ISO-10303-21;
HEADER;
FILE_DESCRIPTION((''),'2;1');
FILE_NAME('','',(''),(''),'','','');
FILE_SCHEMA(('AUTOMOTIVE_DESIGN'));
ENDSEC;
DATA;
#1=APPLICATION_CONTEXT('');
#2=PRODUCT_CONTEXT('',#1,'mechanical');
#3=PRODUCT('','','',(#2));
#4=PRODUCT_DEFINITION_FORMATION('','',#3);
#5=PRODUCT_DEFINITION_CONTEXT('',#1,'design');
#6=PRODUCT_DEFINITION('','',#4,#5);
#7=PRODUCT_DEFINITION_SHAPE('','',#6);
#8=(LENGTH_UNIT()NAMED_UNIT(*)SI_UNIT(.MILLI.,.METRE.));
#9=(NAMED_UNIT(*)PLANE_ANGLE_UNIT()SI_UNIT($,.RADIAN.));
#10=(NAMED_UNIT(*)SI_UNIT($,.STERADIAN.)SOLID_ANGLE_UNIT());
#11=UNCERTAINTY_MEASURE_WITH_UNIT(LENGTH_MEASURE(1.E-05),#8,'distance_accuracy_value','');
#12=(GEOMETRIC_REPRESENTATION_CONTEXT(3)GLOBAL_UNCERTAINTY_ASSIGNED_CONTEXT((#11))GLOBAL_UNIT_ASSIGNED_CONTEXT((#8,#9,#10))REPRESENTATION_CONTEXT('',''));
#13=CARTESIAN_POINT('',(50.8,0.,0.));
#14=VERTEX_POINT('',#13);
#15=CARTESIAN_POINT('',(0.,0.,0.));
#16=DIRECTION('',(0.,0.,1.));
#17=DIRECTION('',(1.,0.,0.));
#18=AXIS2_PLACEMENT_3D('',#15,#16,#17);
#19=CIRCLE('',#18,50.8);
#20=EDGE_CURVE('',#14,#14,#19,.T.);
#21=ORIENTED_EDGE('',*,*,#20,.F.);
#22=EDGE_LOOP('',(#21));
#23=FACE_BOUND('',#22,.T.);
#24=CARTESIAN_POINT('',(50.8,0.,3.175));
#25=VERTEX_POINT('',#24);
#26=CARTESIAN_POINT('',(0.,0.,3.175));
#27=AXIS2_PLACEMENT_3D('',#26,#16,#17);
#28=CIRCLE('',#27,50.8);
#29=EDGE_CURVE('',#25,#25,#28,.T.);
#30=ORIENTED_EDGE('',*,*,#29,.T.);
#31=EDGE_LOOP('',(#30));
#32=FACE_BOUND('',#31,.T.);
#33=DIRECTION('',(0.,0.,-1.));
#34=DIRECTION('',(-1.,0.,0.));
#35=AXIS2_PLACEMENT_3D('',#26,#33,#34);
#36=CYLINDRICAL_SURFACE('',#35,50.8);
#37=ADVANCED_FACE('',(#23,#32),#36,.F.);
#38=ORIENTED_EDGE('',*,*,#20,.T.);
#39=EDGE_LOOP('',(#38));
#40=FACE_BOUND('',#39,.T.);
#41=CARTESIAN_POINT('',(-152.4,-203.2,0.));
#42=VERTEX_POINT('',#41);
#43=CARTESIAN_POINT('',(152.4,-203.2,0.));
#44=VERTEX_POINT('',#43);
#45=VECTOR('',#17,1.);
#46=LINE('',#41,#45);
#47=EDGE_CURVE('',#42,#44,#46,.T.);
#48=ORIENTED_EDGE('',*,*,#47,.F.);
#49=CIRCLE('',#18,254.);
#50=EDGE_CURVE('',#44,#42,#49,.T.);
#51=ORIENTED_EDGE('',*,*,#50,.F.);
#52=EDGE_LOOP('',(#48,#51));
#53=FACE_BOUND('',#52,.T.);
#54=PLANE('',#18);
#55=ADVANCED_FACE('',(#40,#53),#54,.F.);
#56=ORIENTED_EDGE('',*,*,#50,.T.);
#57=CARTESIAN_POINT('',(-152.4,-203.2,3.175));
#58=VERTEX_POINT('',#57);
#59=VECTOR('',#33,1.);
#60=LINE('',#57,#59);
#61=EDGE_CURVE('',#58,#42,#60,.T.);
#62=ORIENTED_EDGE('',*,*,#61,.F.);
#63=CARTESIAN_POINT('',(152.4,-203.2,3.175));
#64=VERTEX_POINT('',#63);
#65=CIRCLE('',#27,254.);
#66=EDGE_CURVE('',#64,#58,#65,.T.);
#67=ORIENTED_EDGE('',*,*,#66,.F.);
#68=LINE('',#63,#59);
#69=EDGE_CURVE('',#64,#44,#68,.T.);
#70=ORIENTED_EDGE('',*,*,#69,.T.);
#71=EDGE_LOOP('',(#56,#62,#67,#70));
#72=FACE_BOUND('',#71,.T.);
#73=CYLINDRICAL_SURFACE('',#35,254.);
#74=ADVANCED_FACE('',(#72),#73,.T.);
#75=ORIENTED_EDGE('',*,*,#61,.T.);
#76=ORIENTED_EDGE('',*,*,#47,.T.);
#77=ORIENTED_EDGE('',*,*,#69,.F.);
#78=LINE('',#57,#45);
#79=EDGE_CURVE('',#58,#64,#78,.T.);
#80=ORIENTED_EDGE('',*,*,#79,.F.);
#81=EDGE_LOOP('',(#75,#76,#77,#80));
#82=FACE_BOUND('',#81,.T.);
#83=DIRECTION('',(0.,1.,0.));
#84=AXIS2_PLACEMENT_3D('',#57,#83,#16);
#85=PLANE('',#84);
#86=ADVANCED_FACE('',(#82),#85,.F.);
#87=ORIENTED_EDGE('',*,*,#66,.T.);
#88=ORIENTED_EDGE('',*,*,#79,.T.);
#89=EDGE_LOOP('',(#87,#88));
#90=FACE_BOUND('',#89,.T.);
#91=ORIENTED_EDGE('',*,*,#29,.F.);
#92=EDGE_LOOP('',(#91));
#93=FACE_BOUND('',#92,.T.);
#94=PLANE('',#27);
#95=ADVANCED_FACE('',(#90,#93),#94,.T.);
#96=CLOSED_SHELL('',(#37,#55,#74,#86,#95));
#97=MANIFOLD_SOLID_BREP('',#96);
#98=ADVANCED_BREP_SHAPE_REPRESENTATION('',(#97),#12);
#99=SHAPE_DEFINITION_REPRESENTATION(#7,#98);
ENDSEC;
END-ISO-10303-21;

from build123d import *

# Parameters (mm, degrees)
SKETCH2_R           = 50.8
BOSS_EXTRUDE1_DEPTH = 3.175


with BuildPart() as part:
    # Sketch2 → Boss-Extrude1 (new body)
    with BuildSketch(Plane.XY):
        with BuildLine():
            Line((-152.4, -203.2), (152.4, -203.2))
            ThreePointArc((152.4, -203.2), (0, 254), (-152.4, -203.2))
        make_face()
        Circle(SKETCH2_R, mode=Mode.SUBTRACT)
    extrude(amount=BOSS_EXTRUDE1_DEPTH)


solid = part.part
